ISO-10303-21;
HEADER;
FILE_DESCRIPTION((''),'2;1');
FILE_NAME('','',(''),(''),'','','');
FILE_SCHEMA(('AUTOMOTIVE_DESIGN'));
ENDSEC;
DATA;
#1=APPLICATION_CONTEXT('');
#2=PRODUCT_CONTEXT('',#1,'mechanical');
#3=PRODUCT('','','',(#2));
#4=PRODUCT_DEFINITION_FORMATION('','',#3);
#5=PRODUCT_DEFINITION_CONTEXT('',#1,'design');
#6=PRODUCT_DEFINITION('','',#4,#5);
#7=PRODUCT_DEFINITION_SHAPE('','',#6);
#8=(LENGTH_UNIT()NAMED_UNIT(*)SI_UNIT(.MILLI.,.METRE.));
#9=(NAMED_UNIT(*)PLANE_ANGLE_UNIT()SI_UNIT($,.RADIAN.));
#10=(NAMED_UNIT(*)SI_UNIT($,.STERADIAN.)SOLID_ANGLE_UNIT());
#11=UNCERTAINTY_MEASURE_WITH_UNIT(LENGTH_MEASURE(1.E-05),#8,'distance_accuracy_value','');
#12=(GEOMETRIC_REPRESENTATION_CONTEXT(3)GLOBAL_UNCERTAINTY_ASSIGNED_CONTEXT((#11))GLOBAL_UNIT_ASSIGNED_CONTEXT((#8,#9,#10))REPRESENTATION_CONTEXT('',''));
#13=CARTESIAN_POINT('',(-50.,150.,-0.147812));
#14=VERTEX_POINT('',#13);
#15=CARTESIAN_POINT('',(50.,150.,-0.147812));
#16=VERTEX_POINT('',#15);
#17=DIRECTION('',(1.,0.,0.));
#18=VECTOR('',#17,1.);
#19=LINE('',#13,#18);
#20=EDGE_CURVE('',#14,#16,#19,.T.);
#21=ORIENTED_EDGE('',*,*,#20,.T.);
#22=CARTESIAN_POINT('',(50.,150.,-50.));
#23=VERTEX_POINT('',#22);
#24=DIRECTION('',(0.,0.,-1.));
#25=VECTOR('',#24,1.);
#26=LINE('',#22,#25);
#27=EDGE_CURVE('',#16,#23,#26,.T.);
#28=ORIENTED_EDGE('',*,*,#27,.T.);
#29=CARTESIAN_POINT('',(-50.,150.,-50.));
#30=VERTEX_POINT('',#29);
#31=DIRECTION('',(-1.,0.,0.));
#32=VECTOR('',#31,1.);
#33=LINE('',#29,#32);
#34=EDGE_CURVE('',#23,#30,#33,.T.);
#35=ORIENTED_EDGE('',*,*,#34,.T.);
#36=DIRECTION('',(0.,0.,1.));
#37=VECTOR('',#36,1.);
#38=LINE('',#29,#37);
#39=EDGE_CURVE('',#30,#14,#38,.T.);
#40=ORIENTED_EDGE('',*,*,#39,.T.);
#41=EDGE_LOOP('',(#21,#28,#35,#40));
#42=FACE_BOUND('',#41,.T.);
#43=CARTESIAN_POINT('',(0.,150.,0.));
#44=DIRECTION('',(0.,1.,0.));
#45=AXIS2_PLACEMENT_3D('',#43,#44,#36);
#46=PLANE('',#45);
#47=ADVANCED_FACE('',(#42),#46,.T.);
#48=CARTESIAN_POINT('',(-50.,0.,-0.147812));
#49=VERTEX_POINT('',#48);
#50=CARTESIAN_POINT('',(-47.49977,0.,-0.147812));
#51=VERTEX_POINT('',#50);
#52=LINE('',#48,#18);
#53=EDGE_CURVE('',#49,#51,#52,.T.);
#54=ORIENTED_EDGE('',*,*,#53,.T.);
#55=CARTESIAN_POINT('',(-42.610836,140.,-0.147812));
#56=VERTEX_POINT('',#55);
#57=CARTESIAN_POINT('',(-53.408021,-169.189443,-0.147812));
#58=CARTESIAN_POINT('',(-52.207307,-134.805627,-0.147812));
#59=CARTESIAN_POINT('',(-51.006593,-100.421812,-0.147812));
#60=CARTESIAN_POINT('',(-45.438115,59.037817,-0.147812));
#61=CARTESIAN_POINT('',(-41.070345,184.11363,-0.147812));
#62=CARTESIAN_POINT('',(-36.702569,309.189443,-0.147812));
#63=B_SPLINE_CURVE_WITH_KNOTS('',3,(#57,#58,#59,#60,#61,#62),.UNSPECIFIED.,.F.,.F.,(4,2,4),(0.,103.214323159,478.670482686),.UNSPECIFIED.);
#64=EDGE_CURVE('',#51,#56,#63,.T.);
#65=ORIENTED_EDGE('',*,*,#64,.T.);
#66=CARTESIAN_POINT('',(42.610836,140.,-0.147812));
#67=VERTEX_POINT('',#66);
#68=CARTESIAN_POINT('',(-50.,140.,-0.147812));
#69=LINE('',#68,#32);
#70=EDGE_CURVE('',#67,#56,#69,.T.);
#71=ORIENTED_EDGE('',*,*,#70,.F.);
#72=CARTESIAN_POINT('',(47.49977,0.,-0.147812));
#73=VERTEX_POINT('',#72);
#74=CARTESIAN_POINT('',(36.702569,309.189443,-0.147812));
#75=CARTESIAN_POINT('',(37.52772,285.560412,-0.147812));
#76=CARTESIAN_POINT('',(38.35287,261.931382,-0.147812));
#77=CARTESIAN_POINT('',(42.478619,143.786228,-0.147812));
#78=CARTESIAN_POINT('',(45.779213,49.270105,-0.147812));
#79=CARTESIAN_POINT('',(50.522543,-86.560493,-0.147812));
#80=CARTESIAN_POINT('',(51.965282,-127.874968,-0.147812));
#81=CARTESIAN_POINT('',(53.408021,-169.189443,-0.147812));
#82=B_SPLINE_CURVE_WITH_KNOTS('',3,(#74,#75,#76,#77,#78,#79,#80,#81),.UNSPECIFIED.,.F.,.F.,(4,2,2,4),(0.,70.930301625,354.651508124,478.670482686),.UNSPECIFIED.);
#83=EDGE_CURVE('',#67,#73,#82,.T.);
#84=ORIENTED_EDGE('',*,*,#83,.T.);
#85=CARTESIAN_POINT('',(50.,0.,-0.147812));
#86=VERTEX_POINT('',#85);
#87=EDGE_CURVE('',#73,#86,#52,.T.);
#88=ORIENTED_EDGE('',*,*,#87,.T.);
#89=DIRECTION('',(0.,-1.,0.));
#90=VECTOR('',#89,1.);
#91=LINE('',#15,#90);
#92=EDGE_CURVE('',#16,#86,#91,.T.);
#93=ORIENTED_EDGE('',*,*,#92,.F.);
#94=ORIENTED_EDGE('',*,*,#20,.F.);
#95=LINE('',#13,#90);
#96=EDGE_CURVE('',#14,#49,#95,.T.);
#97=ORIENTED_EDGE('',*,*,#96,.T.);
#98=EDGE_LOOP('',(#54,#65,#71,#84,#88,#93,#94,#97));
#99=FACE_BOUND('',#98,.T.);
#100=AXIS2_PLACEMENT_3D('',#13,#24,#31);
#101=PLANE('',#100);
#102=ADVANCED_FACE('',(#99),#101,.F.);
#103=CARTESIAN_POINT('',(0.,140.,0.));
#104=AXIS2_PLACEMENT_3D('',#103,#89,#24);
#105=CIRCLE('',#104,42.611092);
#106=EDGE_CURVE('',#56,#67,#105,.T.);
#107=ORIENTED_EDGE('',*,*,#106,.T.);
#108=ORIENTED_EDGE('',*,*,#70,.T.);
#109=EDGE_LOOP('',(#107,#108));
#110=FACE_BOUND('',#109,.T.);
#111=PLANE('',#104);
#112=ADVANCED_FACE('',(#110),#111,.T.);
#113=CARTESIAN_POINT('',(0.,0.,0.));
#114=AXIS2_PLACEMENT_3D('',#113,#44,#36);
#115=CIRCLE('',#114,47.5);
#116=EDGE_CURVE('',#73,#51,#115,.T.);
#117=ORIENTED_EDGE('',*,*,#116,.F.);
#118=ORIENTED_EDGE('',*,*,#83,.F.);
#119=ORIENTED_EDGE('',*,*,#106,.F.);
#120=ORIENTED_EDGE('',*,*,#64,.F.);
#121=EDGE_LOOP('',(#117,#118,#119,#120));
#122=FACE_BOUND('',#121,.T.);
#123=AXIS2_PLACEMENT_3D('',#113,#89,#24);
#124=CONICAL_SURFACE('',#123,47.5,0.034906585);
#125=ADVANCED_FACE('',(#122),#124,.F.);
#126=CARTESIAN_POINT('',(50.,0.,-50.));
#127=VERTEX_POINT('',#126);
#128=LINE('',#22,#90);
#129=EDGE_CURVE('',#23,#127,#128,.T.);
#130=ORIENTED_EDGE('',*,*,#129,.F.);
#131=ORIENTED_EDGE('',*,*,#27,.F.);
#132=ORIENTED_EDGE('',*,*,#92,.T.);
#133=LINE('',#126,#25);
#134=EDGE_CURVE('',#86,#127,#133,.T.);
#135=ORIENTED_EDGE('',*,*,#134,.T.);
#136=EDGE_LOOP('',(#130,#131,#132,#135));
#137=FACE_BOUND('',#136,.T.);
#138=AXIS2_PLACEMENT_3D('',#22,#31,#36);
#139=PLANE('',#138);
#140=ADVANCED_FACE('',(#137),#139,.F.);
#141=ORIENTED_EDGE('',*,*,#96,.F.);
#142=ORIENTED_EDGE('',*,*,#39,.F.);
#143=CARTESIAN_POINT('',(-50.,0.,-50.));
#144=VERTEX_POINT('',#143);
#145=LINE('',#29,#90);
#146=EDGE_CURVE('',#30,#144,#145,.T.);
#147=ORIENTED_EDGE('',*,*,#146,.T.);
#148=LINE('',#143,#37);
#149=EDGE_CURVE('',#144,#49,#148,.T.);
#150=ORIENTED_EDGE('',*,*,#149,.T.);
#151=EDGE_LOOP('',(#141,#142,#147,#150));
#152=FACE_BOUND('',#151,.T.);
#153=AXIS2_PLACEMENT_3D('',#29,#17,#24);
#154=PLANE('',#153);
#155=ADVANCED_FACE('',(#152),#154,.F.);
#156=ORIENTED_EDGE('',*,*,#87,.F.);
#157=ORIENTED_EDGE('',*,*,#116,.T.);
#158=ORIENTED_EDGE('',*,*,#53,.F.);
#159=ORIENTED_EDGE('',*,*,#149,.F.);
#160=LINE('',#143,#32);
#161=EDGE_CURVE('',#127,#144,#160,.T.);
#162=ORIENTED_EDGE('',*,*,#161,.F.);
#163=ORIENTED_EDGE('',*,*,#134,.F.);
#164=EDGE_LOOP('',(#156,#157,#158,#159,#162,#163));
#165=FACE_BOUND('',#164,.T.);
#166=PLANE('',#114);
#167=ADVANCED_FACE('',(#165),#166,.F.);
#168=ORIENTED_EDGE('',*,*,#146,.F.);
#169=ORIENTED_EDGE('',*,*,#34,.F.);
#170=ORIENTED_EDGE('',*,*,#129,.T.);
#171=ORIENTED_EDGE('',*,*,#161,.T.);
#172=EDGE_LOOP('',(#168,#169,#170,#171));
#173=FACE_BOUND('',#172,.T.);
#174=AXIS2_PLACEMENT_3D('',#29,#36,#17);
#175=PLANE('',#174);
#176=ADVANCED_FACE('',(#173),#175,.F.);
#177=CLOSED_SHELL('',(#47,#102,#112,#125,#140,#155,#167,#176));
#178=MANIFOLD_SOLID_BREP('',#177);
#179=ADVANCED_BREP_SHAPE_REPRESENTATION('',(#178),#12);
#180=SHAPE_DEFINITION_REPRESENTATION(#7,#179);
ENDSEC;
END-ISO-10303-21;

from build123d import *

# Parameters (mm, degrees)
SKETCH1_W           = 100
SKETCH1_H           = 49.852187789
BOSS_EXTRUDE3_DEPTH = 150
SKETCH2_R           = 47.5
CUT_EXTRUDE1_DEPTH  = 140
CUT_EXTRUDE1_DRAFT  = -2


with BuildPart() as part:
    # Sketch1 → Boss-Extrude3 (new body)
    with BuildSketch(Plane(origin=(0, 0, 0), x_dir=(1, 0, 0), z_dir=(0, 1, 0))):
        with Locations((0, 25.073906106)):
            Rectangle(SKETCH1_W, SKETCH1_H)
    extrude(amount=BOSS_EXTRUDE3_DEPTH)


with BuildPart() as cut_extrude1_tool:
    # Sketch2 → Cut-Extrude1 (with draft: the straight prism first)
    with BuildSketch(Plane.XZ):
        Circle(SKETCH2_R)
    extrude(amount=-CUT_EXTRUDE1_DEPTH)
    # Cut-Extrude1: the draft: its side faces are tilted about the plane it starts from
    cut_extrude1_sides = [cut_extrude1_tool.faces().sort_by_distance(p)[0] for p in [
        (-47.5, 70, 0),
    ]]
    draft(cut_extrude1_sides, Plane.XZ, CUT_EXTRUDE1_DRAFT)


with BuildPart() as part_1:
    add(part.part)

    # Cut-Extrude1: cut by cut_extrude1_tool
    add(cut_extrude1_tool.part, mode=Mode.SUBTRACT)


solid = part_1.part
